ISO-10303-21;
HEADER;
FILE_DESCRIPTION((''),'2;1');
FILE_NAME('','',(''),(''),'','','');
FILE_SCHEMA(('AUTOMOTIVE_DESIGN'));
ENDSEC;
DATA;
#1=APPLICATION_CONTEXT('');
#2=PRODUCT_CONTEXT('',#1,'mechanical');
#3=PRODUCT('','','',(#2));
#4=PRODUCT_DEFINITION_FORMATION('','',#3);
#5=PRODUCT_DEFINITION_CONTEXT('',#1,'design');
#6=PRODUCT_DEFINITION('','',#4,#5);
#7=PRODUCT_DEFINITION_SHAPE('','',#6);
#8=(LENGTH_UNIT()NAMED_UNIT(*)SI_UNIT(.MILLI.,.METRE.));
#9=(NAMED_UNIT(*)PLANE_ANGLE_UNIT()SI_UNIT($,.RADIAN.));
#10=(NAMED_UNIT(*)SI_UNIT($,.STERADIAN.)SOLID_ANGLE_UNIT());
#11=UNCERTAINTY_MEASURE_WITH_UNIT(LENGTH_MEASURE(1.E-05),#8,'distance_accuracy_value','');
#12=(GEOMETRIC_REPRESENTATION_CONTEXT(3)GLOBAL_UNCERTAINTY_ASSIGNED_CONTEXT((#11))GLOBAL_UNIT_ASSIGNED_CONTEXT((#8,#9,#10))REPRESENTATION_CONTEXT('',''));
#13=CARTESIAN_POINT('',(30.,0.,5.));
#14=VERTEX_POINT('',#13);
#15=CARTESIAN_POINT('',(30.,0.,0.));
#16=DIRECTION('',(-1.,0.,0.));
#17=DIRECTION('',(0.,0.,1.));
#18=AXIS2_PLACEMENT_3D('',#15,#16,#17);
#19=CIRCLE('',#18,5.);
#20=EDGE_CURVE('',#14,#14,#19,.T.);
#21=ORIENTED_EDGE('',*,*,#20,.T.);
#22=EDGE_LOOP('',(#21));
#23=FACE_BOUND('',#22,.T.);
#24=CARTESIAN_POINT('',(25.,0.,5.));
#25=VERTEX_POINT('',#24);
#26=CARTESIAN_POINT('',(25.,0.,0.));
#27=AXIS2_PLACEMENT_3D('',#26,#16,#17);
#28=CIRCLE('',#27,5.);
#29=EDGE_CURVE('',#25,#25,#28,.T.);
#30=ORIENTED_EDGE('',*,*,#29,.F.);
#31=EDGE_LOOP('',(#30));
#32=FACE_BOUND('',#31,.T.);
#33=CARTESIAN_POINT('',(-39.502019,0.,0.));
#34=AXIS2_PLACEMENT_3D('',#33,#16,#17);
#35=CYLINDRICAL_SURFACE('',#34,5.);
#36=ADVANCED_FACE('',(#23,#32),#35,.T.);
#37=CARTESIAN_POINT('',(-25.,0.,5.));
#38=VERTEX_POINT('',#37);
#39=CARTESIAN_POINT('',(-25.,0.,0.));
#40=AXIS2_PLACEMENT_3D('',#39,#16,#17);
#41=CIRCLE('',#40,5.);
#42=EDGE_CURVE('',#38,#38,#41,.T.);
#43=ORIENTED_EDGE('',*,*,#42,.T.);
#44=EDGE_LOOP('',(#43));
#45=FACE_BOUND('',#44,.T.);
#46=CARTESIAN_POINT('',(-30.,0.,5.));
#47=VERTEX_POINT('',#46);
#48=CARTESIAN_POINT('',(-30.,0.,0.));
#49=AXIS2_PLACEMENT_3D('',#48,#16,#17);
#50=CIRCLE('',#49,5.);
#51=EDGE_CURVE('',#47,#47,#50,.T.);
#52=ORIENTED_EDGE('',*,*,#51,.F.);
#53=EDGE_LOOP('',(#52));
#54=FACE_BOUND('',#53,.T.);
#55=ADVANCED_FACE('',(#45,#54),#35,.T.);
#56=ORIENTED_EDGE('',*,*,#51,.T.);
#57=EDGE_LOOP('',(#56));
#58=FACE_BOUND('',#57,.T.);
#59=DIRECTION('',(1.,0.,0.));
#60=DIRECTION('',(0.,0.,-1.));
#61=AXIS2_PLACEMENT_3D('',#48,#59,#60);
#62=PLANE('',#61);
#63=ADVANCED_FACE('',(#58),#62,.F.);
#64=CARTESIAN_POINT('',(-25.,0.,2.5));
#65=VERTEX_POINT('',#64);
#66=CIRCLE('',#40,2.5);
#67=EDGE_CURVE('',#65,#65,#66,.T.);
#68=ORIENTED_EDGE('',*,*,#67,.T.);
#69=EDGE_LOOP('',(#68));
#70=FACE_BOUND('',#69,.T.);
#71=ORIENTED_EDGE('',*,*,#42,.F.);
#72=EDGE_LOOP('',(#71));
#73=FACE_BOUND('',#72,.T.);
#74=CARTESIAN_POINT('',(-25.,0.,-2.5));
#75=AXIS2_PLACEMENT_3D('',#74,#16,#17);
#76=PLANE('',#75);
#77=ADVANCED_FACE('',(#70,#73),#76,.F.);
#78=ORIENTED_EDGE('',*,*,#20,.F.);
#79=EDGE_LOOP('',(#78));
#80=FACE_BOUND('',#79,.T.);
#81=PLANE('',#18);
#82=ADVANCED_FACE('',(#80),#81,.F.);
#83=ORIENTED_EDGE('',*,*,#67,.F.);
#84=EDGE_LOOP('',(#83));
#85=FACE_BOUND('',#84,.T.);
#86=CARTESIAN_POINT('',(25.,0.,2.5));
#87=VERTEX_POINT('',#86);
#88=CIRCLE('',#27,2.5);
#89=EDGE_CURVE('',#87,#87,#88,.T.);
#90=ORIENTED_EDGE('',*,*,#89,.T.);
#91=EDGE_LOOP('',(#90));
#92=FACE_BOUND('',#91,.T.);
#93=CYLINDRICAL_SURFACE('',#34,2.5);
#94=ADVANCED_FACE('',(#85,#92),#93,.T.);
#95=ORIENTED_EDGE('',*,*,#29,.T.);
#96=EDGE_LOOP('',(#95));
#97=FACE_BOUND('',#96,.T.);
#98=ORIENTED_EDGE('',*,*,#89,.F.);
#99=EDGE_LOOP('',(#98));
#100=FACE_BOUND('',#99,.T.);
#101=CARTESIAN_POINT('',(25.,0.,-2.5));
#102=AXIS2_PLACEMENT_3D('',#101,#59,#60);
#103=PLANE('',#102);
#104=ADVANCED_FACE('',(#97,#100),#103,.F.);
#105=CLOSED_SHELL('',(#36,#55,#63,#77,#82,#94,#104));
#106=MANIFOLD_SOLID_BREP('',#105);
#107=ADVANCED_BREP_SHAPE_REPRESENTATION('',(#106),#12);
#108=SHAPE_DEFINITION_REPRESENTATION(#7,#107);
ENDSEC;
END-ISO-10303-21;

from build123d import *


with BuildPart() as part:
    # Croquis1 → Revolución1 (revolve)
    with BuildSketch(Plane(origin=(0, 0, 0), x_dir=(1, 0, 0), z_dir=(0, 1, 0))):
        Polygon((25, 2.5), (25, 5), (30, 5), (30, 0), (-30, 0), (-30, 5), (-25, 5), (-25, 2.5), align=None)
    revolve(axis=Axis((-39.502018508, 0, 0), (1, 0, 0)))


solid = part.part
